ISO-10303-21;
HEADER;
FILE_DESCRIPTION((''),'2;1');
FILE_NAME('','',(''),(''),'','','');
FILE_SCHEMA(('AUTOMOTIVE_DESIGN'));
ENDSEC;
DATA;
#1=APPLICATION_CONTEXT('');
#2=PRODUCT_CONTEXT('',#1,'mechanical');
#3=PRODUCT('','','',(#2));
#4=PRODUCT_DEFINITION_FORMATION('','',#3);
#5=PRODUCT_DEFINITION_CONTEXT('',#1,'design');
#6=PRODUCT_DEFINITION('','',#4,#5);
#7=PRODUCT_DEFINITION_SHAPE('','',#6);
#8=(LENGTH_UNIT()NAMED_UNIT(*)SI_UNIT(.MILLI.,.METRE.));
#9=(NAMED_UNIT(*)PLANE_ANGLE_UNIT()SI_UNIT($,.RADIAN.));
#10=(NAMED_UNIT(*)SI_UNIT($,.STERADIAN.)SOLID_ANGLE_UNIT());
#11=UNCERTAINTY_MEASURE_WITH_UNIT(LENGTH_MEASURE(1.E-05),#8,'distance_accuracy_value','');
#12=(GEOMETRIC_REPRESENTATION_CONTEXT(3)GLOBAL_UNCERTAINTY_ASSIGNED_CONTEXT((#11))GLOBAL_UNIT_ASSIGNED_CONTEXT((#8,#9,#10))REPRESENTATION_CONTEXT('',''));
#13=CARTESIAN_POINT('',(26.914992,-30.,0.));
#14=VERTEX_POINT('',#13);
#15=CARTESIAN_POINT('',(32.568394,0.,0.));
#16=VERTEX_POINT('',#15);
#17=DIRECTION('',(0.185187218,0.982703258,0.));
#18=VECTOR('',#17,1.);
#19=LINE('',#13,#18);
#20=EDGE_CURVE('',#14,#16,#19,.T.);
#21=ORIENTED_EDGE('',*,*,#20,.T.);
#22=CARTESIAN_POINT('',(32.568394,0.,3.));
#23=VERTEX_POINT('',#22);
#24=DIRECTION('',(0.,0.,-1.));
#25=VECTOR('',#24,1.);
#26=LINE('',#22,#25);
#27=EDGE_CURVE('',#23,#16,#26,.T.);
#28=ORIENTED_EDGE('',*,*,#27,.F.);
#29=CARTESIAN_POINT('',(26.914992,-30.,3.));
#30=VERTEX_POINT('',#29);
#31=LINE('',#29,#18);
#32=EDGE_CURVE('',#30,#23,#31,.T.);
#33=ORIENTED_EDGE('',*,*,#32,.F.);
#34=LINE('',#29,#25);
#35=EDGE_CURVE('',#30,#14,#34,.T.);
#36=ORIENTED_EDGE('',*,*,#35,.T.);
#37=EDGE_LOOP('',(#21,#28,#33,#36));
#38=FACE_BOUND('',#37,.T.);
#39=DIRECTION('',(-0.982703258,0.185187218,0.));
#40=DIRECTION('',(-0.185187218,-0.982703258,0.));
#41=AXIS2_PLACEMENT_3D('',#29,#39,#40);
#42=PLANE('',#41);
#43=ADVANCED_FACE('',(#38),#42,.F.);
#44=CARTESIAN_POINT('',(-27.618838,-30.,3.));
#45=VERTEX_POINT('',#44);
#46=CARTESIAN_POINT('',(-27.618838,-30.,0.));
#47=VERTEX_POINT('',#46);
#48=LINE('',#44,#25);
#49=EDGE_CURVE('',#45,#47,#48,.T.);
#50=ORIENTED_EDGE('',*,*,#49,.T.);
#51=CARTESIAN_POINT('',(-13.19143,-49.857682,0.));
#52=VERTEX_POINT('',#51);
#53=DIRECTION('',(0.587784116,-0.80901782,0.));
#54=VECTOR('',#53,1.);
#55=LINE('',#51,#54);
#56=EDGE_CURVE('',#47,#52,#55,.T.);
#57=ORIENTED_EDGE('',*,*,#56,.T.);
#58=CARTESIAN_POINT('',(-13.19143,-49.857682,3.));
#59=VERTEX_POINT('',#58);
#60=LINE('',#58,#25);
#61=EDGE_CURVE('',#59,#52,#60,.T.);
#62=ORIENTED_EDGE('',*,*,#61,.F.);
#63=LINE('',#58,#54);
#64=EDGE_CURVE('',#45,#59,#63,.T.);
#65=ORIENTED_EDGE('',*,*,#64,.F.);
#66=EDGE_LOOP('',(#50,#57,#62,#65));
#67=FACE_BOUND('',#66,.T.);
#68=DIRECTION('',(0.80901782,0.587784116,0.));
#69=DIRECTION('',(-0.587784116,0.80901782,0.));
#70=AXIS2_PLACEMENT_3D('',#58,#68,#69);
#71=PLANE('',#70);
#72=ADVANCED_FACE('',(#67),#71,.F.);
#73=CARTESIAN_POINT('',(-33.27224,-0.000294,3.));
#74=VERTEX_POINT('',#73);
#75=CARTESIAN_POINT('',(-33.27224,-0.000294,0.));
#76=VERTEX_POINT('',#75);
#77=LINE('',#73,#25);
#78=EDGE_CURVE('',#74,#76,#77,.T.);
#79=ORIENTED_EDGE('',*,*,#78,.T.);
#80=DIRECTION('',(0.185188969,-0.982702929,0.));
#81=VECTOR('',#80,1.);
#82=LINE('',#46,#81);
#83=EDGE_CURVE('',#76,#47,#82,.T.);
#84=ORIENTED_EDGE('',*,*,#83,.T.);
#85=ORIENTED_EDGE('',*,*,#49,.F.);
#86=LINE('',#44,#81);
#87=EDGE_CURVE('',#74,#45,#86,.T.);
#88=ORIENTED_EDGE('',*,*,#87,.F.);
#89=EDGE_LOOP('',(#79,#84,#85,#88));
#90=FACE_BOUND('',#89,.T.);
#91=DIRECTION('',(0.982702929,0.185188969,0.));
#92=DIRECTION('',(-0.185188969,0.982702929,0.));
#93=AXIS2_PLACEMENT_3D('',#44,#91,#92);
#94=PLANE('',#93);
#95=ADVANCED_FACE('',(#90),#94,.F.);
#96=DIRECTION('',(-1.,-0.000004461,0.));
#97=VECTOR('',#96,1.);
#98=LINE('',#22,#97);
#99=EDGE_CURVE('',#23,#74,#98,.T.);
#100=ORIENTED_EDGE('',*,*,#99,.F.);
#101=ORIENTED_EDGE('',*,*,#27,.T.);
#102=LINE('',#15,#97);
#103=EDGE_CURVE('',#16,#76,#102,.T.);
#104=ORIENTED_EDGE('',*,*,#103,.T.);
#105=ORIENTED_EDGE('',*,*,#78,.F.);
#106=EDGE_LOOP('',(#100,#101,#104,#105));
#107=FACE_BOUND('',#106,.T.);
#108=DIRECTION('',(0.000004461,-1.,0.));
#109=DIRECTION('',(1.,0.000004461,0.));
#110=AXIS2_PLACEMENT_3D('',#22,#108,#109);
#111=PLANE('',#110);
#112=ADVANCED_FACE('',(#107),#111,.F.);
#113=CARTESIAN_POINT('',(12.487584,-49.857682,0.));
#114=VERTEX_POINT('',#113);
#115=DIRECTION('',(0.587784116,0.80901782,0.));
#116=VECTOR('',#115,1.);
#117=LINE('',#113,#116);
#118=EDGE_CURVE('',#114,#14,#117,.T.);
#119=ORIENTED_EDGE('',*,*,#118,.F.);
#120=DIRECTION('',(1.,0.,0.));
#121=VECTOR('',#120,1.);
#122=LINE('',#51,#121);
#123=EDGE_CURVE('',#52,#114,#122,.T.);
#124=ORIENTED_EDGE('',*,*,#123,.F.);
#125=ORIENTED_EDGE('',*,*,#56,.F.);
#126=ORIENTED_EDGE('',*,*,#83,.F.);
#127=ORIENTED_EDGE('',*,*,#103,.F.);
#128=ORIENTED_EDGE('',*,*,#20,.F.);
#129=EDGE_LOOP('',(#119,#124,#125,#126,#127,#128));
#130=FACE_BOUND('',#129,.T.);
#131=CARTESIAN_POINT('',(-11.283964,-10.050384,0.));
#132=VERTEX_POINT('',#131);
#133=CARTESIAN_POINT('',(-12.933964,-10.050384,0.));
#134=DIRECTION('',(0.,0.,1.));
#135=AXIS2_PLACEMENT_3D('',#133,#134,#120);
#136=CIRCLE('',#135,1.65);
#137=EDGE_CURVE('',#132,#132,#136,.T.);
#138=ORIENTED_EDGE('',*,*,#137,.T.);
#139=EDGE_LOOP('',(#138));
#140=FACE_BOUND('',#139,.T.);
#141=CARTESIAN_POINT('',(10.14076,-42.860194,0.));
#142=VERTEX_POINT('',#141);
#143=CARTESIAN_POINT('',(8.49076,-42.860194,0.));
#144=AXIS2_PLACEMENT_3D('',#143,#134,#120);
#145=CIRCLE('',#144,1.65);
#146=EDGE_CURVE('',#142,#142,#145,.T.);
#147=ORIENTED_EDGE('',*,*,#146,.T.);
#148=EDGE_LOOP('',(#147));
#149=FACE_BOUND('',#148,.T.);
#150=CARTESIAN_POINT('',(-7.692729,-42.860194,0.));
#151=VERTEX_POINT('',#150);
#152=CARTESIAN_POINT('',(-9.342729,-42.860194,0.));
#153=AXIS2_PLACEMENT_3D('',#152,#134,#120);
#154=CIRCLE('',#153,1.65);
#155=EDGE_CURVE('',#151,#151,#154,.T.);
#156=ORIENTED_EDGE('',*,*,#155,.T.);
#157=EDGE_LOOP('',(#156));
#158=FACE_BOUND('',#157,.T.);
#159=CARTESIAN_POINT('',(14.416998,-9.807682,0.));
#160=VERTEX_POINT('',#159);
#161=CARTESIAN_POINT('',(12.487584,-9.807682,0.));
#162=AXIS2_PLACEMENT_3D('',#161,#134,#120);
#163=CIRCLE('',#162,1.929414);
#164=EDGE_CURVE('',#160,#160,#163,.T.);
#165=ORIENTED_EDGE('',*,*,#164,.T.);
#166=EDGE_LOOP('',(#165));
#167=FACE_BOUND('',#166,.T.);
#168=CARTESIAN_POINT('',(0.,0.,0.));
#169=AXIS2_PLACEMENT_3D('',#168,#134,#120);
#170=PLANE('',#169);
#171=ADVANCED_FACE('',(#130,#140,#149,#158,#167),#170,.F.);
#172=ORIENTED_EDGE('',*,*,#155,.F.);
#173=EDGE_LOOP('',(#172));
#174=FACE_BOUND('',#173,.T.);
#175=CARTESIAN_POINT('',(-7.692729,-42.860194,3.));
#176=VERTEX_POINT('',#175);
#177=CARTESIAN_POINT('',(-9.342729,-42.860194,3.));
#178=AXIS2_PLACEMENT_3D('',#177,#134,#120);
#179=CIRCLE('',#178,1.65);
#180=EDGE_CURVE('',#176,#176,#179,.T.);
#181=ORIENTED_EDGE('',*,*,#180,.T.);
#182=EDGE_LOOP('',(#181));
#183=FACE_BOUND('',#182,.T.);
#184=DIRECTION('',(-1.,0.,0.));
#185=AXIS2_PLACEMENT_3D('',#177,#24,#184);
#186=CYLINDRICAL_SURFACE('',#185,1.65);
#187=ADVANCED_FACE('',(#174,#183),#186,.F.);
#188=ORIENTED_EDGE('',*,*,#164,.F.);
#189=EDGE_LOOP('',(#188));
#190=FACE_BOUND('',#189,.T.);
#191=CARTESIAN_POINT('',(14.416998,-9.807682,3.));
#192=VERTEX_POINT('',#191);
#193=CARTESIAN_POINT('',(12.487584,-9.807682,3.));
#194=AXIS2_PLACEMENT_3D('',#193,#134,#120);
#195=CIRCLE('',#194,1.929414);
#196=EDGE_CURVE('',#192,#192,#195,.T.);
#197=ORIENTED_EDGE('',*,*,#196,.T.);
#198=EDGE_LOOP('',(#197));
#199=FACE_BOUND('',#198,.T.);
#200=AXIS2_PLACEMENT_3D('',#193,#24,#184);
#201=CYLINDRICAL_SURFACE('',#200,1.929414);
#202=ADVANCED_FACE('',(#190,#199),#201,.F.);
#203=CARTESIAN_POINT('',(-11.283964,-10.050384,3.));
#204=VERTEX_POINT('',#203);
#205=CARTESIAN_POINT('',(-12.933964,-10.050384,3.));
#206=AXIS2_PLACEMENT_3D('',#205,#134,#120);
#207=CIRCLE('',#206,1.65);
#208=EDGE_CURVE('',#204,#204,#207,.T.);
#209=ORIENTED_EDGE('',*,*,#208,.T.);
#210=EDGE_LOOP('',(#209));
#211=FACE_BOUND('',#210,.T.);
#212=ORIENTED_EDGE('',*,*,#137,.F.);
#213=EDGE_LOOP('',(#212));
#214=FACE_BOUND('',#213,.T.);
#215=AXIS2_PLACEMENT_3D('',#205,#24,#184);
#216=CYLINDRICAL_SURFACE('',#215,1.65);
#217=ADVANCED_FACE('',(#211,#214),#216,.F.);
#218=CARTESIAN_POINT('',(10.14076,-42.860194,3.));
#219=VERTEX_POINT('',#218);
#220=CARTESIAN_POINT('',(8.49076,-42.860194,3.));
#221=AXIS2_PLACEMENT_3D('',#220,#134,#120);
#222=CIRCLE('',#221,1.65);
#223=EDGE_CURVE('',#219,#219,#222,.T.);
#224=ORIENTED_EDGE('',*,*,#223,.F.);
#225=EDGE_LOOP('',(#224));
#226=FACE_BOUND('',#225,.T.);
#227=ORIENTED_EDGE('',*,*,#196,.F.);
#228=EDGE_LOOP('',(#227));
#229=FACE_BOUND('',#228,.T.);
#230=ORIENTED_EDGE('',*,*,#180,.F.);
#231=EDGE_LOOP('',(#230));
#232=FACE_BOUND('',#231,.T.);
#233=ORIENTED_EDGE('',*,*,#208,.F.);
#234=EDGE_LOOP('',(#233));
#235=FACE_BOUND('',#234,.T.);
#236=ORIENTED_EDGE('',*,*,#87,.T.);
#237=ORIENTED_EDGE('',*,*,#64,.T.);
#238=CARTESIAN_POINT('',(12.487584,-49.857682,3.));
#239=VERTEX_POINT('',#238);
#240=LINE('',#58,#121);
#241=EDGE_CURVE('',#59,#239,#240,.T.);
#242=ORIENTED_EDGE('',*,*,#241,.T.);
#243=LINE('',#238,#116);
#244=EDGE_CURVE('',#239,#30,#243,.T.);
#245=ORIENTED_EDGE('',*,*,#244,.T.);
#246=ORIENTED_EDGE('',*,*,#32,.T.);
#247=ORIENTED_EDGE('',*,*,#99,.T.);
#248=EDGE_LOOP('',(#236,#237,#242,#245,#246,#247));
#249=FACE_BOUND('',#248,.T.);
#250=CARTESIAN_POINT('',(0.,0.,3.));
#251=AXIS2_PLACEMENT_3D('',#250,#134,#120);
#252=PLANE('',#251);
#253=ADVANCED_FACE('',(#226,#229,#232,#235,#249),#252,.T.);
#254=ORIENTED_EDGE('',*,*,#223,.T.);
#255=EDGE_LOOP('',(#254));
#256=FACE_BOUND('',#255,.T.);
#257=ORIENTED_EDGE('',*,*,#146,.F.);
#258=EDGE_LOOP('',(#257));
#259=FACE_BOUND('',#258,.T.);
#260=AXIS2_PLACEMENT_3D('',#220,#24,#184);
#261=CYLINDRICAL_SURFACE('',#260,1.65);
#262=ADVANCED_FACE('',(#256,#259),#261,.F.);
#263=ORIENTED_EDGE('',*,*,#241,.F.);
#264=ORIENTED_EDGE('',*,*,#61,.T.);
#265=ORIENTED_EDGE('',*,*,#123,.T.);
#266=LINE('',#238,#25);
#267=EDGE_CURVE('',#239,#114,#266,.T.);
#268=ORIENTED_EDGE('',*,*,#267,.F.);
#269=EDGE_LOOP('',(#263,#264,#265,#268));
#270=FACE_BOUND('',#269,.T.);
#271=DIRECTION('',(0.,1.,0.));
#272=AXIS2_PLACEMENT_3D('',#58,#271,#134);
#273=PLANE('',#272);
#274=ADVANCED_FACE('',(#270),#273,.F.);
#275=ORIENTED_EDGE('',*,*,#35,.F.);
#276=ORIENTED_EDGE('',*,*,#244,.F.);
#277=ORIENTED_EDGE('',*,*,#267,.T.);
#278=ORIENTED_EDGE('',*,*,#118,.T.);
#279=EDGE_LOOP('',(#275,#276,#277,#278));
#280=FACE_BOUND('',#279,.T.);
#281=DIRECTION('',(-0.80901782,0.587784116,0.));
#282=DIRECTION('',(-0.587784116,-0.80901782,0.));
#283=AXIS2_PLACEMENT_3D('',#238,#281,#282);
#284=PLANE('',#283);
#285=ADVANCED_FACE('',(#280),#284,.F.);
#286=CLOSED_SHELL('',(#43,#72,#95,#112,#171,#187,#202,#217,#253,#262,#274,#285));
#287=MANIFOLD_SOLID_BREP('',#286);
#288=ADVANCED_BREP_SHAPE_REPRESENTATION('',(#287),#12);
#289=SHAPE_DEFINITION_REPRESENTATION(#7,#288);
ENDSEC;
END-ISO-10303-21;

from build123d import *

# Parameters (mm, degrees)
SKETCH2_R           = 1.65
SKETCH2_R_2         = 1.929414359
BOSS_EXTRUDE1_DEPTH = 3


with BuildPart() as part:
    # Sketch2 → Boss-Extrude1 (new body)
    with BuildSketch(Plane.XY):
        Polygon((32.568394145, 0), (-33.272239932, -0.000293688), (-27.618837956, -30), (-13.191429734, -49.85768247), (12.487583947, -49.85768247), (26.91499217, -30), align=None)
        with Locations((-9.342728507, -42.860194395)):
            Circle(SKETCH2_R, mode=Mode.SUBTRACT)
        with Locations((8.490760277, -42.860194395)):
            Circle(SKETCH2_R, mode=Mode.SUBTRACT)
        with Locations((-12.933964176, -10.050384435)):
            Circle(SKETCH2_R, mode=Mode.SUBTRACT)
        with Locations((12.487583947, -9.80768247)):
            Circle(SKETCH2_R_2, mode=Mode.SUBTRACT)
    extrude(amount=BOSS_EXTRUDE1_DEPTH)


solid = part.part
